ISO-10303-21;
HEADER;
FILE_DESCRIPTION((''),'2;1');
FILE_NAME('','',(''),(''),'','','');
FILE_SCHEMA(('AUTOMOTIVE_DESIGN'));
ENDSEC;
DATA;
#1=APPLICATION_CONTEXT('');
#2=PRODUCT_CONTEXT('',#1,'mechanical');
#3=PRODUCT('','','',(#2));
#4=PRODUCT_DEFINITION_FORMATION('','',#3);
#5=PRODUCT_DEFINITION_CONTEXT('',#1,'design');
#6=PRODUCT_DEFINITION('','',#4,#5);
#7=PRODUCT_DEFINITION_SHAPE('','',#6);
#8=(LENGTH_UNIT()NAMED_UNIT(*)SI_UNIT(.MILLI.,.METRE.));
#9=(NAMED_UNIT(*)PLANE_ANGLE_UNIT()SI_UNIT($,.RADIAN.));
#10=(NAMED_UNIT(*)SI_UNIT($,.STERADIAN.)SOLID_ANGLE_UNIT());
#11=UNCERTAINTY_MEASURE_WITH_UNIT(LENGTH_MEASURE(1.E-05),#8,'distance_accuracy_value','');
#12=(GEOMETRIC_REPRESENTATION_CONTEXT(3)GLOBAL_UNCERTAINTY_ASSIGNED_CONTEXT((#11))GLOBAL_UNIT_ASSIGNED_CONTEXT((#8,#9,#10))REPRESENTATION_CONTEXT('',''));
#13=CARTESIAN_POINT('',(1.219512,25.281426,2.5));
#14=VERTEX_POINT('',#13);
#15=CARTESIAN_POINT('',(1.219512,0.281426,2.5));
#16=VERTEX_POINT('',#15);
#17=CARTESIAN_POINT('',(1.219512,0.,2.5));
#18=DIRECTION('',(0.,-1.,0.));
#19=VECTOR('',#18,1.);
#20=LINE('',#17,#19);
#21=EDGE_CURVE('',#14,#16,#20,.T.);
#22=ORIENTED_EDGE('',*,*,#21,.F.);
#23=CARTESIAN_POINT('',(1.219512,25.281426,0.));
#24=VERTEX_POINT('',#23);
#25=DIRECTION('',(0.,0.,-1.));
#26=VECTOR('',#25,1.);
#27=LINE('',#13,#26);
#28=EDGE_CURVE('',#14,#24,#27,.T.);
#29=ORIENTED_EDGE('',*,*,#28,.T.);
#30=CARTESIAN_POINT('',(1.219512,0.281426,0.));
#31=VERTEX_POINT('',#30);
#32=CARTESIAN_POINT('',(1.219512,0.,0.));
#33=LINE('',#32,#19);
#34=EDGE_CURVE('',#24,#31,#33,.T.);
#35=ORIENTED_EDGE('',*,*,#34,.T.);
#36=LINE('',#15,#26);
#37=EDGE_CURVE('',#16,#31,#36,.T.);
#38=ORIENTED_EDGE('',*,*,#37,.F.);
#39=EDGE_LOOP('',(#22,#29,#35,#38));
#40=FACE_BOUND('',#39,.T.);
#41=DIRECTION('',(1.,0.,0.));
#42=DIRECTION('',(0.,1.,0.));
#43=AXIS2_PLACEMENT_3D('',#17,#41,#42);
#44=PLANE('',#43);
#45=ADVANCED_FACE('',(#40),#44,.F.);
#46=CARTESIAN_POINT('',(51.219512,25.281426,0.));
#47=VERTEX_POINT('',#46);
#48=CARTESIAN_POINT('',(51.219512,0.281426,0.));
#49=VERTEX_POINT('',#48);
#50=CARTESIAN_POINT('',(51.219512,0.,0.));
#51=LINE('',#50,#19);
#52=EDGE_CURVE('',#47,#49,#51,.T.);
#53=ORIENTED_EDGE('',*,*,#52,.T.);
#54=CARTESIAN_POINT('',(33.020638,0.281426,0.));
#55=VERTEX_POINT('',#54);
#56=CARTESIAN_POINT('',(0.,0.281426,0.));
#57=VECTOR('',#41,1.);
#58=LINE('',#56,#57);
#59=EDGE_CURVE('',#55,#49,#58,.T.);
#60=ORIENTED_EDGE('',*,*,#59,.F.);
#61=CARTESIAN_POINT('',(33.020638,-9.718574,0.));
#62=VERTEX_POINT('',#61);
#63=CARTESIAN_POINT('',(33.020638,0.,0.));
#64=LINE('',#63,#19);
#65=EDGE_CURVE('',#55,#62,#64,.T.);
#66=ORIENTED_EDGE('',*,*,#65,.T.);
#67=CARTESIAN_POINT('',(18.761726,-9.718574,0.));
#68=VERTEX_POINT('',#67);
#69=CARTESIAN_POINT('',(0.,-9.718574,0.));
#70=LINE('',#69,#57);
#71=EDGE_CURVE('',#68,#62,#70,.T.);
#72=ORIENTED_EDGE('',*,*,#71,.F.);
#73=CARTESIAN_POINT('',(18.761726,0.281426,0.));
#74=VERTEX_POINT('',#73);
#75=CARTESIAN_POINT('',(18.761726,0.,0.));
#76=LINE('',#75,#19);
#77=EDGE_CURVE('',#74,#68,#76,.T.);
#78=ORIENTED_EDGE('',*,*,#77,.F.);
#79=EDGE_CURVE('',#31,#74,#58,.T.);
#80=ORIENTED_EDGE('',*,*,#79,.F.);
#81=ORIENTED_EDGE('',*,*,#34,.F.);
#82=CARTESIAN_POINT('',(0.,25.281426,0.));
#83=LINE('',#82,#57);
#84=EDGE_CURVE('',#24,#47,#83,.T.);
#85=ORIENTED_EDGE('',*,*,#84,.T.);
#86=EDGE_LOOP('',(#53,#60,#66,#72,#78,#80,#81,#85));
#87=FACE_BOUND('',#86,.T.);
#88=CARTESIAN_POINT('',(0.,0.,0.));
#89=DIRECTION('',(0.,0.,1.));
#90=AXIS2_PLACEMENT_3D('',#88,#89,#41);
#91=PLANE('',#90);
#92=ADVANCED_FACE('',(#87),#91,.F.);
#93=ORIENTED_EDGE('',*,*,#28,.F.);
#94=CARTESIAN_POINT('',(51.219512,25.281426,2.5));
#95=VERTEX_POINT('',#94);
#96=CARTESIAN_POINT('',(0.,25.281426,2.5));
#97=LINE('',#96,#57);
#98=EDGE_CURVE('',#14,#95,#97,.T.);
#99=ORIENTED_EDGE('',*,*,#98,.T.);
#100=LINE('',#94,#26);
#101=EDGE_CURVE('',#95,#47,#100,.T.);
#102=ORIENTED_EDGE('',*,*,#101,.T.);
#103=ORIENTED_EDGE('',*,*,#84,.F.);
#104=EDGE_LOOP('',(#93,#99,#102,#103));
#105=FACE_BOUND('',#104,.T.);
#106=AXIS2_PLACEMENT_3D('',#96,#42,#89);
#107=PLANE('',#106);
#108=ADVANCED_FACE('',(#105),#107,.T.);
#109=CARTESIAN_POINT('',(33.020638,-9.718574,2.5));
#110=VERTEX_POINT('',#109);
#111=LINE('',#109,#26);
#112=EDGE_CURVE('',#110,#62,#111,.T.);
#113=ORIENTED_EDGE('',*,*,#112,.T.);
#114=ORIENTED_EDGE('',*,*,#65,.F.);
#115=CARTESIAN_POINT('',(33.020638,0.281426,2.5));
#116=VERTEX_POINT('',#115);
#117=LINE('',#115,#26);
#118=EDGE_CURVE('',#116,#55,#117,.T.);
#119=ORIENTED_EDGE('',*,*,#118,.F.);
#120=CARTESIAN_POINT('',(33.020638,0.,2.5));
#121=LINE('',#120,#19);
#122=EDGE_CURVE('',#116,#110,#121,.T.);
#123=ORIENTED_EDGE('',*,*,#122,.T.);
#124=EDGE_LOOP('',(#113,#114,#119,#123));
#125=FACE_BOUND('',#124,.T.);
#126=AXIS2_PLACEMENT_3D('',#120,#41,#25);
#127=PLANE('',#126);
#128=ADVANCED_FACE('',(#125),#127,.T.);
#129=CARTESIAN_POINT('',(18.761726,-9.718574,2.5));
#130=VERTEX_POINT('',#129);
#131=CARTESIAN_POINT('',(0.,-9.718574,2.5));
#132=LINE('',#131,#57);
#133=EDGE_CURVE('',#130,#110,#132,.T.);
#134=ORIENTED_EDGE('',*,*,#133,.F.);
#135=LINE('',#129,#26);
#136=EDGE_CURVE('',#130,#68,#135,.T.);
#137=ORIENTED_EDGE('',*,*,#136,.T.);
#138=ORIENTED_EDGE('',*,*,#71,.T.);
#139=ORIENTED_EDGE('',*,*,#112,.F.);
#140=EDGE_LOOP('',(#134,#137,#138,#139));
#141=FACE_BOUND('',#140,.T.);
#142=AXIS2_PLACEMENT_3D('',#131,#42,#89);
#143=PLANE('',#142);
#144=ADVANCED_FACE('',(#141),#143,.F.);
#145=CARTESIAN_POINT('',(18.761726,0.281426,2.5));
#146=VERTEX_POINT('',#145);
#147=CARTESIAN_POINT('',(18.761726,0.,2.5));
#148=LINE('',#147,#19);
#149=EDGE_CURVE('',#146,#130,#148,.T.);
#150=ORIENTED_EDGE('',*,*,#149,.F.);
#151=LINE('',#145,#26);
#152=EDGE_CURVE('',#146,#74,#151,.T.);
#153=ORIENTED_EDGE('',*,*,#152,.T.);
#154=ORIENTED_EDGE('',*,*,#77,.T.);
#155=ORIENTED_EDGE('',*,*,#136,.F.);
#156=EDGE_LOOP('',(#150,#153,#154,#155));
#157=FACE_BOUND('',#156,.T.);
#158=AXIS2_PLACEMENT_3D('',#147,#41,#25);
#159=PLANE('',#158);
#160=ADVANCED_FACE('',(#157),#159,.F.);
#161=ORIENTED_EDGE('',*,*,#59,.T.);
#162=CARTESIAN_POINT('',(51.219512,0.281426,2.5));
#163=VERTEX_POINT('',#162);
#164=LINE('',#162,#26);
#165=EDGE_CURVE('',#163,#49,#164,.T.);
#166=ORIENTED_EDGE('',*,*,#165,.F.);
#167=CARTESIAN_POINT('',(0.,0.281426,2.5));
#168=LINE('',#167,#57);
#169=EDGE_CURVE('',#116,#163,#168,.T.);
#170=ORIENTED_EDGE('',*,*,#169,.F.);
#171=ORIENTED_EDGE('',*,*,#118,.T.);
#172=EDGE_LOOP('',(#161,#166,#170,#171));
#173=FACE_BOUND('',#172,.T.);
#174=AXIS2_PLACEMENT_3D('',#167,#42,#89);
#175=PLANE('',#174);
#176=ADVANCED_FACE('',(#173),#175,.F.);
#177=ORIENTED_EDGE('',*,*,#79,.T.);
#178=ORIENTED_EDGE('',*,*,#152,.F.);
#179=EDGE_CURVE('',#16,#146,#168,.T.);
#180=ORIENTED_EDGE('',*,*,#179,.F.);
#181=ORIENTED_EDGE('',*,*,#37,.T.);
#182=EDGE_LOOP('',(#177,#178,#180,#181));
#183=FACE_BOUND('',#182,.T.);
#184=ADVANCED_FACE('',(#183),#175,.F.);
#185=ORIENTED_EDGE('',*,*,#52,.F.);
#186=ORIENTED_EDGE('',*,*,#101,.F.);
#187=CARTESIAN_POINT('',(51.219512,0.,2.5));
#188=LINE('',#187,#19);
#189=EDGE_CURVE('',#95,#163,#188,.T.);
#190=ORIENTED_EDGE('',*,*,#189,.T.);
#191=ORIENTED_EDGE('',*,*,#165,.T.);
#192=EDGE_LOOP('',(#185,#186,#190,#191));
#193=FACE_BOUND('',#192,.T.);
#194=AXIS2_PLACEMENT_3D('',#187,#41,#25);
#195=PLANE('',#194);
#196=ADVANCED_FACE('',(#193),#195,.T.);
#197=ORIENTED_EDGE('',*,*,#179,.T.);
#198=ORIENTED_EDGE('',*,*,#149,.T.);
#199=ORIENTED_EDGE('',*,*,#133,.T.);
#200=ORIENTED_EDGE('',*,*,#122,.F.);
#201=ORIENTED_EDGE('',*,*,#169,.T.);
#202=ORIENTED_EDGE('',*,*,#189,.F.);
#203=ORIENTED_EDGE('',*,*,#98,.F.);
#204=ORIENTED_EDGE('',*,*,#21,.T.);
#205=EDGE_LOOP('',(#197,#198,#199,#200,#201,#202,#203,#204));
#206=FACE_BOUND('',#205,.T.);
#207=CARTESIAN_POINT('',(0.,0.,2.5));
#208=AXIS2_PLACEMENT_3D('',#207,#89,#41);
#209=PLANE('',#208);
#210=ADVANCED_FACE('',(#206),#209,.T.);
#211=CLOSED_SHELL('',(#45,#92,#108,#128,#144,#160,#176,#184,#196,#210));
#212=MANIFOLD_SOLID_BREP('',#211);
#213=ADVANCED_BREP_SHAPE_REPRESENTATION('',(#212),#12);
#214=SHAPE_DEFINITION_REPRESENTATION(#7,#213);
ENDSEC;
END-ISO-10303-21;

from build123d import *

# Parameters (mm, degrees)
SKETCH1_W           = 50
SKETCH1_H           = 25
SKETCH1_W_2         = 14.25891182
SKETCH1_H_2         = 10
BOSS_EXTRUDE1_DEPTH = 2.5


with BuildPart() as part:
    # Sketch1 → Boss-Extrude1 (new body)
    with BuildSketch(Plane.XY):
        with Locations((26.219512195, 12.781425891)):
            Rectangle(SKETCH1_W, SKETCH1_H)
        with Locations((25.891181989, -4.718574109)):
            Rectangle(SKETCH1_W_2, SKETCH1_H_2)
    extrude(amount=BOSS_EXTRUDE1_DEPTH)


solid = part.part
